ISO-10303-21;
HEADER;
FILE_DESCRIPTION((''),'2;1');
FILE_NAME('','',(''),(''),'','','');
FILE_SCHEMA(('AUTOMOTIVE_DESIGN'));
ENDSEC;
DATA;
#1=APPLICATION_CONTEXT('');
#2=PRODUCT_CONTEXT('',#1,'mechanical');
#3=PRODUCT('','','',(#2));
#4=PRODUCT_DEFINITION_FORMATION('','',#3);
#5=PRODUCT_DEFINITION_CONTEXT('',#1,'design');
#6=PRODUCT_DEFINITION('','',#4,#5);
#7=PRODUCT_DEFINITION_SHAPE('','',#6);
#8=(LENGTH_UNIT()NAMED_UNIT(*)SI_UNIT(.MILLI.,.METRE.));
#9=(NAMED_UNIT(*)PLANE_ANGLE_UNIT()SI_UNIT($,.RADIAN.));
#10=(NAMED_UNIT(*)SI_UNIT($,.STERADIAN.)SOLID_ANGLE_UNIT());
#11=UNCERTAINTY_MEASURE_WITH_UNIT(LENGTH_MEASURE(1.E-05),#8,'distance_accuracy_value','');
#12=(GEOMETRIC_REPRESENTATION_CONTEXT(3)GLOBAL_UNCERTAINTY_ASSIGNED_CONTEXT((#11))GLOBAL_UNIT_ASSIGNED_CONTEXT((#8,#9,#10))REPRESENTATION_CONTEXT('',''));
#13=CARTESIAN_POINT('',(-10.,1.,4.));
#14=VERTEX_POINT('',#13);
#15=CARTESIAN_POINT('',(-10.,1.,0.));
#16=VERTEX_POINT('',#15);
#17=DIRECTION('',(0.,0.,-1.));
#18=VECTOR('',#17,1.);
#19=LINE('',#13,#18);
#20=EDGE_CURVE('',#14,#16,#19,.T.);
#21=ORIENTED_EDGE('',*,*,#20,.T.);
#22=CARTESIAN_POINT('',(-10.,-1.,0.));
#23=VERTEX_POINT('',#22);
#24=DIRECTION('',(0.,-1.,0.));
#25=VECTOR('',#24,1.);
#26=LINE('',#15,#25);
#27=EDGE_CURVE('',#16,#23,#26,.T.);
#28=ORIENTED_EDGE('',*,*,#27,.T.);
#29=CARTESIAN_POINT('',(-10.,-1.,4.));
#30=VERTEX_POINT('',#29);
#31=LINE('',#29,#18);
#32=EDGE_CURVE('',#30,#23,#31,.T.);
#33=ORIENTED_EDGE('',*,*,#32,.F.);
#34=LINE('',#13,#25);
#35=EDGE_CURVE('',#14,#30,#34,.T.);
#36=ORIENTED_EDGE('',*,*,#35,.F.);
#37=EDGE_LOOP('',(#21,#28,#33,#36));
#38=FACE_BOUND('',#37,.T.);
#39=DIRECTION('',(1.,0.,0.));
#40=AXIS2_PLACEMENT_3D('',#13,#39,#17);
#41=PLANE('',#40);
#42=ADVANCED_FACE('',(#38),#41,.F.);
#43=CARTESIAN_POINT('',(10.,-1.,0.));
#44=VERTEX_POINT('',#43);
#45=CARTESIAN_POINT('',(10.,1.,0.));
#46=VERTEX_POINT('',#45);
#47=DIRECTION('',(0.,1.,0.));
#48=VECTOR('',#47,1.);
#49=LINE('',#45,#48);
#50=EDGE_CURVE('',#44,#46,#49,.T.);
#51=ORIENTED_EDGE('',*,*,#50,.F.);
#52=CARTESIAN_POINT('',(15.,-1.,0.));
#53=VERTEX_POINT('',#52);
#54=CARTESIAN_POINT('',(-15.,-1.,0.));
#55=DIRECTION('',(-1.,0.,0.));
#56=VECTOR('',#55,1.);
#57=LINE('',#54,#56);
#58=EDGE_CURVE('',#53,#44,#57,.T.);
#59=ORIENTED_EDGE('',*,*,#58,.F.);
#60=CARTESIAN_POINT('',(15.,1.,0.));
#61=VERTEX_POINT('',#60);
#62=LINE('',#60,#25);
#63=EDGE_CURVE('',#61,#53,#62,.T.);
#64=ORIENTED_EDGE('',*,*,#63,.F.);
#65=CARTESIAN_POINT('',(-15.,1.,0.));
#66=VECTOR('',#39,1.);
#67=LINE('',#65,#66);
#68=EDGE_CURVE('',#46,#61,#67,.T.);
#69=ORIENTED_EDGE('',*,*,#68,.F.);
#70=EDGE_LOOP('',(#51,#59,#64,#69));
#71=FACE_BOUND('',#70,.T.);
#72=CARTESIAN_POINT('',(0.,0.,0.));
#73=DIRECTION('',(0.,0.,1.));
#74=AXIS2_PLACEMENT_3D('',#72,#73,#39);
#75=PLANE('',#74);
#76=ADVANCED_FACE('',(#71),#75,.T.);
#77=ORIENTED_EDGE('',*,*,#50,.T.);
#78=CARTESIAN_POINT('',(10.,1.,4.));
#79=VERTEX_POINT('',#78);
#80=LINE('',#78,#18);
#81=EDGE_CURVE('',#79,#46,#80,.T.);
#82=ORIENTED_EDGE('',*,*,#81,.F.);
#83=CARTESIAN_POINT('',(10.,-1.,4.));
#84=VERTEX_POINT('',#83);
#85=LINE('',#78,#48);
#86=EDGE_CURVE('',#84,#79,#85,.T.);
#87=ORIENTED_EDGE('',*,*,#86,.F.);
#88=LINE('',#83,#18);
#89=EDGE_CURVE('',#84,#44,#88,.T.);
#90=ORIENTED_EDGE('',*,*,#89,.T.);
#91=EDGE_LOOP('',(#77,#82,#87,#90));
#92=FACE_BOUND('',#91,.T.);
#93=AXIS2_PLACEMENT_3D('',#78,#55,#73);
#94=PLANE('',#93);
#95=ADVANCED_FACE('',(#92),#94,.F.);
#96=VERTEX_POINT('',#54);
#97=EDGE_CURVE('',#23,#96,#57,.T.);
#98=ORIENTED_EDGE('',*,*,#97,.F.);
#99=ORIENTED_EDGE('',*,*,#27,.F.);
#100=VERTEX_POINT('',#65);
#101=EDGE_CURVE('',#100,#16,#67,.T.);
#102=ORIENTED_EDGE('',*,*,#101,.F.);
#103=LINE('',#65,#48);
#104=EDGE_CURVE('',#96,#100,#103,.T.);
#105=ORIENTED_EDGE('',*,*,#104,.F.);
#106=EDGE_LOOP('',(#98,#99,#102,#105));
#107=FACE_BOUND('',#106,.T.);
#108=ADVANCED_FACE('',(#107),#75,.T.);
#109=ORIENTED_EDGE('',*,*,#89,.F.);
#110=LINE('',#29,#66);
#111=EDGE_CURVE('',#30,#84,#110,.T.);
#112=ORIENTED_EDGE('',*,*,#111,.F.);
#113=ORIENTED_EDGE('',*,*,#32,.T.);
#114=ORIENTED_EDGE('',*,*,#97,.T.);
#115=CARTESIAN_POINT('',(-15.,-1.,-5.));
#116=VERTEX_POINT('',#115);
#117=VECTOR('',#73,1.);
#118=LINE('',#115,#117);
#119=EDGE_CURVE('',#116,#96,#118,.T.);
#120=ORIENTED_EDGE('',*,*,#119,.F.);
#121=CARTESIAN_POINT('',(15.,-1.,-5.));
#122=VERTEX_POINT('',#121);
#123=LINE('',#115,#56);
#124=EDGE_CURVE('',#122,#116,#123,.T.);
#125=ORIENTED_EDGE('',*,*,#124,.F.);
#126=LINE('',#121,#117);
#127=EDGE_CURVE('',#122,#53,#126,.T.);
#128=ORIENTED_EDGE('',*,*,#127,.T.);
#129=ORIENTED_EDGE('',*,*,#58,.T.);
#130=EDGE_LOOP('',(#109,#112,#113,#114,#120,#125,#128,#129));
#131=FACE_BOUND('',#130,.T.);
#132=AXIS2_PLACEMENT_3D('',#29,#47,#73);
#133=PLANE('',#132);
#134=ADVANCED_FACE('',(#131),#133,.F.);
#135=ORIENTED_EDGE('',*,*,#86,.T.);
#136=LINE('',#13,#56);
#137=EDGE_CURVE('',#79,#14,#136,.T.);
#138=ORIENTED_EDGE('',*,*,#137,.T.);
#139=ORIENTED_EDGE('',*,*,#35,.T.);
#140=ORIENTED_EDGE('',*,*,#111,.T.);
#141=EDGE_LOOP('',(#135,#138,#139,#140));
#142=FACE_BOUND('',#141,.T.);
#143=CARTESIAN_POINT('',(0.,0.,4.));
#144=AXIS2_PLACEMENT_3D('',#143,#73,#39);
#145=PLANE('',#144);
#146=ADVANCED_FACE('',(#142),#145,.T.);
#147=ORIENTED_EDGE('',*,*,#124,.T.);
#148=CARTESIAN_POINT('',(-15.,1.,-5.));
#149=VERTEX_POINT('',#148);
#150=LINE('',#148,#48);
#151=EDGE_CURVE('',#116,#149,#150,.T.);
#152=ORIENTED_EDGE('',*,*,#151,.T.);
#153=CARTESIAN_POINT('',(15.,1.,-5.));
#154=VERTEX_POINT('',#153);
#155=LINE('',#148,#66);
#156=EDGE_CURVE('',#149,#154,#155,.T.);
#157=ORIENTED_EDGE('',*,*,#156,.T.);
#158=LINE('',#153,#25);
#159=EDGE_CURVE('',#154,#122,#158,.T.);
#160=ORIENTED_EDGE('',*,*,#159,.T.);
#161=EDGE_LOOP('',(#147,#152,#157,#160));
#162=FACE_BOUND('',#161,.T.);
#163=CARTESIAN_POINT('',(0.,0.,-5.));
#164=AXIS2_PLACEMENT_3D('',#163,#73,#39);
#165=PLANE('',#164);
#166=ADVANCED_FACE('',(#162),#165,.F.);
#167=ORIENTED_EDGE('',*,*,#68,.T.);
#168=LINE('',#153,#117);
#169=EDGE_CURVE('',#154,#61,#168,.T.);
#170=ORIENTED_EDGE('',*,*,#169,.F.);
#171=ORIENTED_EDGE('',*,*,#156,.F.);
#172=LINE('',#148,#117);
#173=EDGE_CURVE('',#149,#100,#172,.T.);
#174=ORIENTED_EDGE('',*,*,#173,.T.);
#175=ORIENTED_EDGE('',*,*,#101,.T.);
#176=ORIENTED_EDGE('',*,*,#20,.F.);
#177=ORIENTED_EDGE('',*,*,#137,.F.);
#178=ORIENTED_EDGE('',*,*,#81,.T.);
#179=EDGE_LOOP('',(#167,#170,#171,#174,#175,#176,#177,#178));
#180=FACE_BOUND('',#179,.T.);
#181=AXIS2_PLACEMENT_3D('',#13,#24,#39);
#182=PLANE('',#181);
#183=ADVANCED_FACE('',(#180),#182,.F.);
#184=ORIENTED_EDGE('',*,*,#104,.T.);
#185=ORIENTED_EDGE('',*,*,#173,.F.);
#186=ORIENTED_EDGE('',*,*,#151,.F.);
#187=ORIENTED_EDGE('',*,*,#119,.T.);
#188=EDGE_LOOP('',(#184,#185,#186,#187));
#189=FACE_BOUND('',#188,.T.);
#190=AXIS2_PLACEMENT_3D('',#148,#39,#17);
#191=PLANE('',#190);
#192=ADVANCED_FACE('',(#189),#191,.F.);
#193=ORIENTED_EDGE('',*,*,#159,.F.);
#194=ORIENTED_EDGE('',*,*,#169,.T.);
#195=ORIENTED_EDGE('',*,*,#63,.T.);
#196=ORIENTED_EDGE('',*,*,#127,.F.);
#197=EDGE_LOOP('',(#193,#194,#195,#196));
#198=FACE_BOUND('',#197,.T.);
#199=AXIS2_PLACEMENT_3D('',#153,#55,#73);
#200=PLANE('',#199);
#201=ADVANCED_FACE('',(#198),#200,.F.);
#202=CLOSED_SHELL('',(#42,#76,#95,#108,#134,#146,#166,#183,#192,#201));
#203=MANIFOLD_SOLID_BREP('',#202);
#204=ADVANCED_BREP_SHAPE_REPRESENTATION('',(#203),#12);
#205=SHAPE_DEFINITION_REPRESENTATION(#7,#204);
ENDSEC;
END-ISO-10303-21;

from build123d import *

# Parameters (mm, degrees)
SKETCH1_W           = 20
SKETCH1_H           = 2
BOSS_EXTRUDE1_DEPTH = 4
SKETCH2_W           = 30
SKETCH2_H           = 2
BOSS_EXTRUDE2_DEPTH = 5


with BuildPart() as part:
    # Sketch1 → Boss-Extrude1 (new body)
    with BuildSketch(Plane.XY):
        Rectangle(SKETCH1_W, SKETCH1_H)
    extrude(amount=BOSS_EXTRUDE1_DEPTH)

    # Sketch2 → Boss-Extrude2 (add)
    with BuildSketch(Plane(origin=(0, 0, 0), x_dir=(-1, 0, 0), z_dir=(0, 0, -1))):
        Rectangle(SKETCH2_W, SKETCH2_H)
    extrude(amount=BOSS_EXTRUDE2_DEPTH)


solid = part.part
